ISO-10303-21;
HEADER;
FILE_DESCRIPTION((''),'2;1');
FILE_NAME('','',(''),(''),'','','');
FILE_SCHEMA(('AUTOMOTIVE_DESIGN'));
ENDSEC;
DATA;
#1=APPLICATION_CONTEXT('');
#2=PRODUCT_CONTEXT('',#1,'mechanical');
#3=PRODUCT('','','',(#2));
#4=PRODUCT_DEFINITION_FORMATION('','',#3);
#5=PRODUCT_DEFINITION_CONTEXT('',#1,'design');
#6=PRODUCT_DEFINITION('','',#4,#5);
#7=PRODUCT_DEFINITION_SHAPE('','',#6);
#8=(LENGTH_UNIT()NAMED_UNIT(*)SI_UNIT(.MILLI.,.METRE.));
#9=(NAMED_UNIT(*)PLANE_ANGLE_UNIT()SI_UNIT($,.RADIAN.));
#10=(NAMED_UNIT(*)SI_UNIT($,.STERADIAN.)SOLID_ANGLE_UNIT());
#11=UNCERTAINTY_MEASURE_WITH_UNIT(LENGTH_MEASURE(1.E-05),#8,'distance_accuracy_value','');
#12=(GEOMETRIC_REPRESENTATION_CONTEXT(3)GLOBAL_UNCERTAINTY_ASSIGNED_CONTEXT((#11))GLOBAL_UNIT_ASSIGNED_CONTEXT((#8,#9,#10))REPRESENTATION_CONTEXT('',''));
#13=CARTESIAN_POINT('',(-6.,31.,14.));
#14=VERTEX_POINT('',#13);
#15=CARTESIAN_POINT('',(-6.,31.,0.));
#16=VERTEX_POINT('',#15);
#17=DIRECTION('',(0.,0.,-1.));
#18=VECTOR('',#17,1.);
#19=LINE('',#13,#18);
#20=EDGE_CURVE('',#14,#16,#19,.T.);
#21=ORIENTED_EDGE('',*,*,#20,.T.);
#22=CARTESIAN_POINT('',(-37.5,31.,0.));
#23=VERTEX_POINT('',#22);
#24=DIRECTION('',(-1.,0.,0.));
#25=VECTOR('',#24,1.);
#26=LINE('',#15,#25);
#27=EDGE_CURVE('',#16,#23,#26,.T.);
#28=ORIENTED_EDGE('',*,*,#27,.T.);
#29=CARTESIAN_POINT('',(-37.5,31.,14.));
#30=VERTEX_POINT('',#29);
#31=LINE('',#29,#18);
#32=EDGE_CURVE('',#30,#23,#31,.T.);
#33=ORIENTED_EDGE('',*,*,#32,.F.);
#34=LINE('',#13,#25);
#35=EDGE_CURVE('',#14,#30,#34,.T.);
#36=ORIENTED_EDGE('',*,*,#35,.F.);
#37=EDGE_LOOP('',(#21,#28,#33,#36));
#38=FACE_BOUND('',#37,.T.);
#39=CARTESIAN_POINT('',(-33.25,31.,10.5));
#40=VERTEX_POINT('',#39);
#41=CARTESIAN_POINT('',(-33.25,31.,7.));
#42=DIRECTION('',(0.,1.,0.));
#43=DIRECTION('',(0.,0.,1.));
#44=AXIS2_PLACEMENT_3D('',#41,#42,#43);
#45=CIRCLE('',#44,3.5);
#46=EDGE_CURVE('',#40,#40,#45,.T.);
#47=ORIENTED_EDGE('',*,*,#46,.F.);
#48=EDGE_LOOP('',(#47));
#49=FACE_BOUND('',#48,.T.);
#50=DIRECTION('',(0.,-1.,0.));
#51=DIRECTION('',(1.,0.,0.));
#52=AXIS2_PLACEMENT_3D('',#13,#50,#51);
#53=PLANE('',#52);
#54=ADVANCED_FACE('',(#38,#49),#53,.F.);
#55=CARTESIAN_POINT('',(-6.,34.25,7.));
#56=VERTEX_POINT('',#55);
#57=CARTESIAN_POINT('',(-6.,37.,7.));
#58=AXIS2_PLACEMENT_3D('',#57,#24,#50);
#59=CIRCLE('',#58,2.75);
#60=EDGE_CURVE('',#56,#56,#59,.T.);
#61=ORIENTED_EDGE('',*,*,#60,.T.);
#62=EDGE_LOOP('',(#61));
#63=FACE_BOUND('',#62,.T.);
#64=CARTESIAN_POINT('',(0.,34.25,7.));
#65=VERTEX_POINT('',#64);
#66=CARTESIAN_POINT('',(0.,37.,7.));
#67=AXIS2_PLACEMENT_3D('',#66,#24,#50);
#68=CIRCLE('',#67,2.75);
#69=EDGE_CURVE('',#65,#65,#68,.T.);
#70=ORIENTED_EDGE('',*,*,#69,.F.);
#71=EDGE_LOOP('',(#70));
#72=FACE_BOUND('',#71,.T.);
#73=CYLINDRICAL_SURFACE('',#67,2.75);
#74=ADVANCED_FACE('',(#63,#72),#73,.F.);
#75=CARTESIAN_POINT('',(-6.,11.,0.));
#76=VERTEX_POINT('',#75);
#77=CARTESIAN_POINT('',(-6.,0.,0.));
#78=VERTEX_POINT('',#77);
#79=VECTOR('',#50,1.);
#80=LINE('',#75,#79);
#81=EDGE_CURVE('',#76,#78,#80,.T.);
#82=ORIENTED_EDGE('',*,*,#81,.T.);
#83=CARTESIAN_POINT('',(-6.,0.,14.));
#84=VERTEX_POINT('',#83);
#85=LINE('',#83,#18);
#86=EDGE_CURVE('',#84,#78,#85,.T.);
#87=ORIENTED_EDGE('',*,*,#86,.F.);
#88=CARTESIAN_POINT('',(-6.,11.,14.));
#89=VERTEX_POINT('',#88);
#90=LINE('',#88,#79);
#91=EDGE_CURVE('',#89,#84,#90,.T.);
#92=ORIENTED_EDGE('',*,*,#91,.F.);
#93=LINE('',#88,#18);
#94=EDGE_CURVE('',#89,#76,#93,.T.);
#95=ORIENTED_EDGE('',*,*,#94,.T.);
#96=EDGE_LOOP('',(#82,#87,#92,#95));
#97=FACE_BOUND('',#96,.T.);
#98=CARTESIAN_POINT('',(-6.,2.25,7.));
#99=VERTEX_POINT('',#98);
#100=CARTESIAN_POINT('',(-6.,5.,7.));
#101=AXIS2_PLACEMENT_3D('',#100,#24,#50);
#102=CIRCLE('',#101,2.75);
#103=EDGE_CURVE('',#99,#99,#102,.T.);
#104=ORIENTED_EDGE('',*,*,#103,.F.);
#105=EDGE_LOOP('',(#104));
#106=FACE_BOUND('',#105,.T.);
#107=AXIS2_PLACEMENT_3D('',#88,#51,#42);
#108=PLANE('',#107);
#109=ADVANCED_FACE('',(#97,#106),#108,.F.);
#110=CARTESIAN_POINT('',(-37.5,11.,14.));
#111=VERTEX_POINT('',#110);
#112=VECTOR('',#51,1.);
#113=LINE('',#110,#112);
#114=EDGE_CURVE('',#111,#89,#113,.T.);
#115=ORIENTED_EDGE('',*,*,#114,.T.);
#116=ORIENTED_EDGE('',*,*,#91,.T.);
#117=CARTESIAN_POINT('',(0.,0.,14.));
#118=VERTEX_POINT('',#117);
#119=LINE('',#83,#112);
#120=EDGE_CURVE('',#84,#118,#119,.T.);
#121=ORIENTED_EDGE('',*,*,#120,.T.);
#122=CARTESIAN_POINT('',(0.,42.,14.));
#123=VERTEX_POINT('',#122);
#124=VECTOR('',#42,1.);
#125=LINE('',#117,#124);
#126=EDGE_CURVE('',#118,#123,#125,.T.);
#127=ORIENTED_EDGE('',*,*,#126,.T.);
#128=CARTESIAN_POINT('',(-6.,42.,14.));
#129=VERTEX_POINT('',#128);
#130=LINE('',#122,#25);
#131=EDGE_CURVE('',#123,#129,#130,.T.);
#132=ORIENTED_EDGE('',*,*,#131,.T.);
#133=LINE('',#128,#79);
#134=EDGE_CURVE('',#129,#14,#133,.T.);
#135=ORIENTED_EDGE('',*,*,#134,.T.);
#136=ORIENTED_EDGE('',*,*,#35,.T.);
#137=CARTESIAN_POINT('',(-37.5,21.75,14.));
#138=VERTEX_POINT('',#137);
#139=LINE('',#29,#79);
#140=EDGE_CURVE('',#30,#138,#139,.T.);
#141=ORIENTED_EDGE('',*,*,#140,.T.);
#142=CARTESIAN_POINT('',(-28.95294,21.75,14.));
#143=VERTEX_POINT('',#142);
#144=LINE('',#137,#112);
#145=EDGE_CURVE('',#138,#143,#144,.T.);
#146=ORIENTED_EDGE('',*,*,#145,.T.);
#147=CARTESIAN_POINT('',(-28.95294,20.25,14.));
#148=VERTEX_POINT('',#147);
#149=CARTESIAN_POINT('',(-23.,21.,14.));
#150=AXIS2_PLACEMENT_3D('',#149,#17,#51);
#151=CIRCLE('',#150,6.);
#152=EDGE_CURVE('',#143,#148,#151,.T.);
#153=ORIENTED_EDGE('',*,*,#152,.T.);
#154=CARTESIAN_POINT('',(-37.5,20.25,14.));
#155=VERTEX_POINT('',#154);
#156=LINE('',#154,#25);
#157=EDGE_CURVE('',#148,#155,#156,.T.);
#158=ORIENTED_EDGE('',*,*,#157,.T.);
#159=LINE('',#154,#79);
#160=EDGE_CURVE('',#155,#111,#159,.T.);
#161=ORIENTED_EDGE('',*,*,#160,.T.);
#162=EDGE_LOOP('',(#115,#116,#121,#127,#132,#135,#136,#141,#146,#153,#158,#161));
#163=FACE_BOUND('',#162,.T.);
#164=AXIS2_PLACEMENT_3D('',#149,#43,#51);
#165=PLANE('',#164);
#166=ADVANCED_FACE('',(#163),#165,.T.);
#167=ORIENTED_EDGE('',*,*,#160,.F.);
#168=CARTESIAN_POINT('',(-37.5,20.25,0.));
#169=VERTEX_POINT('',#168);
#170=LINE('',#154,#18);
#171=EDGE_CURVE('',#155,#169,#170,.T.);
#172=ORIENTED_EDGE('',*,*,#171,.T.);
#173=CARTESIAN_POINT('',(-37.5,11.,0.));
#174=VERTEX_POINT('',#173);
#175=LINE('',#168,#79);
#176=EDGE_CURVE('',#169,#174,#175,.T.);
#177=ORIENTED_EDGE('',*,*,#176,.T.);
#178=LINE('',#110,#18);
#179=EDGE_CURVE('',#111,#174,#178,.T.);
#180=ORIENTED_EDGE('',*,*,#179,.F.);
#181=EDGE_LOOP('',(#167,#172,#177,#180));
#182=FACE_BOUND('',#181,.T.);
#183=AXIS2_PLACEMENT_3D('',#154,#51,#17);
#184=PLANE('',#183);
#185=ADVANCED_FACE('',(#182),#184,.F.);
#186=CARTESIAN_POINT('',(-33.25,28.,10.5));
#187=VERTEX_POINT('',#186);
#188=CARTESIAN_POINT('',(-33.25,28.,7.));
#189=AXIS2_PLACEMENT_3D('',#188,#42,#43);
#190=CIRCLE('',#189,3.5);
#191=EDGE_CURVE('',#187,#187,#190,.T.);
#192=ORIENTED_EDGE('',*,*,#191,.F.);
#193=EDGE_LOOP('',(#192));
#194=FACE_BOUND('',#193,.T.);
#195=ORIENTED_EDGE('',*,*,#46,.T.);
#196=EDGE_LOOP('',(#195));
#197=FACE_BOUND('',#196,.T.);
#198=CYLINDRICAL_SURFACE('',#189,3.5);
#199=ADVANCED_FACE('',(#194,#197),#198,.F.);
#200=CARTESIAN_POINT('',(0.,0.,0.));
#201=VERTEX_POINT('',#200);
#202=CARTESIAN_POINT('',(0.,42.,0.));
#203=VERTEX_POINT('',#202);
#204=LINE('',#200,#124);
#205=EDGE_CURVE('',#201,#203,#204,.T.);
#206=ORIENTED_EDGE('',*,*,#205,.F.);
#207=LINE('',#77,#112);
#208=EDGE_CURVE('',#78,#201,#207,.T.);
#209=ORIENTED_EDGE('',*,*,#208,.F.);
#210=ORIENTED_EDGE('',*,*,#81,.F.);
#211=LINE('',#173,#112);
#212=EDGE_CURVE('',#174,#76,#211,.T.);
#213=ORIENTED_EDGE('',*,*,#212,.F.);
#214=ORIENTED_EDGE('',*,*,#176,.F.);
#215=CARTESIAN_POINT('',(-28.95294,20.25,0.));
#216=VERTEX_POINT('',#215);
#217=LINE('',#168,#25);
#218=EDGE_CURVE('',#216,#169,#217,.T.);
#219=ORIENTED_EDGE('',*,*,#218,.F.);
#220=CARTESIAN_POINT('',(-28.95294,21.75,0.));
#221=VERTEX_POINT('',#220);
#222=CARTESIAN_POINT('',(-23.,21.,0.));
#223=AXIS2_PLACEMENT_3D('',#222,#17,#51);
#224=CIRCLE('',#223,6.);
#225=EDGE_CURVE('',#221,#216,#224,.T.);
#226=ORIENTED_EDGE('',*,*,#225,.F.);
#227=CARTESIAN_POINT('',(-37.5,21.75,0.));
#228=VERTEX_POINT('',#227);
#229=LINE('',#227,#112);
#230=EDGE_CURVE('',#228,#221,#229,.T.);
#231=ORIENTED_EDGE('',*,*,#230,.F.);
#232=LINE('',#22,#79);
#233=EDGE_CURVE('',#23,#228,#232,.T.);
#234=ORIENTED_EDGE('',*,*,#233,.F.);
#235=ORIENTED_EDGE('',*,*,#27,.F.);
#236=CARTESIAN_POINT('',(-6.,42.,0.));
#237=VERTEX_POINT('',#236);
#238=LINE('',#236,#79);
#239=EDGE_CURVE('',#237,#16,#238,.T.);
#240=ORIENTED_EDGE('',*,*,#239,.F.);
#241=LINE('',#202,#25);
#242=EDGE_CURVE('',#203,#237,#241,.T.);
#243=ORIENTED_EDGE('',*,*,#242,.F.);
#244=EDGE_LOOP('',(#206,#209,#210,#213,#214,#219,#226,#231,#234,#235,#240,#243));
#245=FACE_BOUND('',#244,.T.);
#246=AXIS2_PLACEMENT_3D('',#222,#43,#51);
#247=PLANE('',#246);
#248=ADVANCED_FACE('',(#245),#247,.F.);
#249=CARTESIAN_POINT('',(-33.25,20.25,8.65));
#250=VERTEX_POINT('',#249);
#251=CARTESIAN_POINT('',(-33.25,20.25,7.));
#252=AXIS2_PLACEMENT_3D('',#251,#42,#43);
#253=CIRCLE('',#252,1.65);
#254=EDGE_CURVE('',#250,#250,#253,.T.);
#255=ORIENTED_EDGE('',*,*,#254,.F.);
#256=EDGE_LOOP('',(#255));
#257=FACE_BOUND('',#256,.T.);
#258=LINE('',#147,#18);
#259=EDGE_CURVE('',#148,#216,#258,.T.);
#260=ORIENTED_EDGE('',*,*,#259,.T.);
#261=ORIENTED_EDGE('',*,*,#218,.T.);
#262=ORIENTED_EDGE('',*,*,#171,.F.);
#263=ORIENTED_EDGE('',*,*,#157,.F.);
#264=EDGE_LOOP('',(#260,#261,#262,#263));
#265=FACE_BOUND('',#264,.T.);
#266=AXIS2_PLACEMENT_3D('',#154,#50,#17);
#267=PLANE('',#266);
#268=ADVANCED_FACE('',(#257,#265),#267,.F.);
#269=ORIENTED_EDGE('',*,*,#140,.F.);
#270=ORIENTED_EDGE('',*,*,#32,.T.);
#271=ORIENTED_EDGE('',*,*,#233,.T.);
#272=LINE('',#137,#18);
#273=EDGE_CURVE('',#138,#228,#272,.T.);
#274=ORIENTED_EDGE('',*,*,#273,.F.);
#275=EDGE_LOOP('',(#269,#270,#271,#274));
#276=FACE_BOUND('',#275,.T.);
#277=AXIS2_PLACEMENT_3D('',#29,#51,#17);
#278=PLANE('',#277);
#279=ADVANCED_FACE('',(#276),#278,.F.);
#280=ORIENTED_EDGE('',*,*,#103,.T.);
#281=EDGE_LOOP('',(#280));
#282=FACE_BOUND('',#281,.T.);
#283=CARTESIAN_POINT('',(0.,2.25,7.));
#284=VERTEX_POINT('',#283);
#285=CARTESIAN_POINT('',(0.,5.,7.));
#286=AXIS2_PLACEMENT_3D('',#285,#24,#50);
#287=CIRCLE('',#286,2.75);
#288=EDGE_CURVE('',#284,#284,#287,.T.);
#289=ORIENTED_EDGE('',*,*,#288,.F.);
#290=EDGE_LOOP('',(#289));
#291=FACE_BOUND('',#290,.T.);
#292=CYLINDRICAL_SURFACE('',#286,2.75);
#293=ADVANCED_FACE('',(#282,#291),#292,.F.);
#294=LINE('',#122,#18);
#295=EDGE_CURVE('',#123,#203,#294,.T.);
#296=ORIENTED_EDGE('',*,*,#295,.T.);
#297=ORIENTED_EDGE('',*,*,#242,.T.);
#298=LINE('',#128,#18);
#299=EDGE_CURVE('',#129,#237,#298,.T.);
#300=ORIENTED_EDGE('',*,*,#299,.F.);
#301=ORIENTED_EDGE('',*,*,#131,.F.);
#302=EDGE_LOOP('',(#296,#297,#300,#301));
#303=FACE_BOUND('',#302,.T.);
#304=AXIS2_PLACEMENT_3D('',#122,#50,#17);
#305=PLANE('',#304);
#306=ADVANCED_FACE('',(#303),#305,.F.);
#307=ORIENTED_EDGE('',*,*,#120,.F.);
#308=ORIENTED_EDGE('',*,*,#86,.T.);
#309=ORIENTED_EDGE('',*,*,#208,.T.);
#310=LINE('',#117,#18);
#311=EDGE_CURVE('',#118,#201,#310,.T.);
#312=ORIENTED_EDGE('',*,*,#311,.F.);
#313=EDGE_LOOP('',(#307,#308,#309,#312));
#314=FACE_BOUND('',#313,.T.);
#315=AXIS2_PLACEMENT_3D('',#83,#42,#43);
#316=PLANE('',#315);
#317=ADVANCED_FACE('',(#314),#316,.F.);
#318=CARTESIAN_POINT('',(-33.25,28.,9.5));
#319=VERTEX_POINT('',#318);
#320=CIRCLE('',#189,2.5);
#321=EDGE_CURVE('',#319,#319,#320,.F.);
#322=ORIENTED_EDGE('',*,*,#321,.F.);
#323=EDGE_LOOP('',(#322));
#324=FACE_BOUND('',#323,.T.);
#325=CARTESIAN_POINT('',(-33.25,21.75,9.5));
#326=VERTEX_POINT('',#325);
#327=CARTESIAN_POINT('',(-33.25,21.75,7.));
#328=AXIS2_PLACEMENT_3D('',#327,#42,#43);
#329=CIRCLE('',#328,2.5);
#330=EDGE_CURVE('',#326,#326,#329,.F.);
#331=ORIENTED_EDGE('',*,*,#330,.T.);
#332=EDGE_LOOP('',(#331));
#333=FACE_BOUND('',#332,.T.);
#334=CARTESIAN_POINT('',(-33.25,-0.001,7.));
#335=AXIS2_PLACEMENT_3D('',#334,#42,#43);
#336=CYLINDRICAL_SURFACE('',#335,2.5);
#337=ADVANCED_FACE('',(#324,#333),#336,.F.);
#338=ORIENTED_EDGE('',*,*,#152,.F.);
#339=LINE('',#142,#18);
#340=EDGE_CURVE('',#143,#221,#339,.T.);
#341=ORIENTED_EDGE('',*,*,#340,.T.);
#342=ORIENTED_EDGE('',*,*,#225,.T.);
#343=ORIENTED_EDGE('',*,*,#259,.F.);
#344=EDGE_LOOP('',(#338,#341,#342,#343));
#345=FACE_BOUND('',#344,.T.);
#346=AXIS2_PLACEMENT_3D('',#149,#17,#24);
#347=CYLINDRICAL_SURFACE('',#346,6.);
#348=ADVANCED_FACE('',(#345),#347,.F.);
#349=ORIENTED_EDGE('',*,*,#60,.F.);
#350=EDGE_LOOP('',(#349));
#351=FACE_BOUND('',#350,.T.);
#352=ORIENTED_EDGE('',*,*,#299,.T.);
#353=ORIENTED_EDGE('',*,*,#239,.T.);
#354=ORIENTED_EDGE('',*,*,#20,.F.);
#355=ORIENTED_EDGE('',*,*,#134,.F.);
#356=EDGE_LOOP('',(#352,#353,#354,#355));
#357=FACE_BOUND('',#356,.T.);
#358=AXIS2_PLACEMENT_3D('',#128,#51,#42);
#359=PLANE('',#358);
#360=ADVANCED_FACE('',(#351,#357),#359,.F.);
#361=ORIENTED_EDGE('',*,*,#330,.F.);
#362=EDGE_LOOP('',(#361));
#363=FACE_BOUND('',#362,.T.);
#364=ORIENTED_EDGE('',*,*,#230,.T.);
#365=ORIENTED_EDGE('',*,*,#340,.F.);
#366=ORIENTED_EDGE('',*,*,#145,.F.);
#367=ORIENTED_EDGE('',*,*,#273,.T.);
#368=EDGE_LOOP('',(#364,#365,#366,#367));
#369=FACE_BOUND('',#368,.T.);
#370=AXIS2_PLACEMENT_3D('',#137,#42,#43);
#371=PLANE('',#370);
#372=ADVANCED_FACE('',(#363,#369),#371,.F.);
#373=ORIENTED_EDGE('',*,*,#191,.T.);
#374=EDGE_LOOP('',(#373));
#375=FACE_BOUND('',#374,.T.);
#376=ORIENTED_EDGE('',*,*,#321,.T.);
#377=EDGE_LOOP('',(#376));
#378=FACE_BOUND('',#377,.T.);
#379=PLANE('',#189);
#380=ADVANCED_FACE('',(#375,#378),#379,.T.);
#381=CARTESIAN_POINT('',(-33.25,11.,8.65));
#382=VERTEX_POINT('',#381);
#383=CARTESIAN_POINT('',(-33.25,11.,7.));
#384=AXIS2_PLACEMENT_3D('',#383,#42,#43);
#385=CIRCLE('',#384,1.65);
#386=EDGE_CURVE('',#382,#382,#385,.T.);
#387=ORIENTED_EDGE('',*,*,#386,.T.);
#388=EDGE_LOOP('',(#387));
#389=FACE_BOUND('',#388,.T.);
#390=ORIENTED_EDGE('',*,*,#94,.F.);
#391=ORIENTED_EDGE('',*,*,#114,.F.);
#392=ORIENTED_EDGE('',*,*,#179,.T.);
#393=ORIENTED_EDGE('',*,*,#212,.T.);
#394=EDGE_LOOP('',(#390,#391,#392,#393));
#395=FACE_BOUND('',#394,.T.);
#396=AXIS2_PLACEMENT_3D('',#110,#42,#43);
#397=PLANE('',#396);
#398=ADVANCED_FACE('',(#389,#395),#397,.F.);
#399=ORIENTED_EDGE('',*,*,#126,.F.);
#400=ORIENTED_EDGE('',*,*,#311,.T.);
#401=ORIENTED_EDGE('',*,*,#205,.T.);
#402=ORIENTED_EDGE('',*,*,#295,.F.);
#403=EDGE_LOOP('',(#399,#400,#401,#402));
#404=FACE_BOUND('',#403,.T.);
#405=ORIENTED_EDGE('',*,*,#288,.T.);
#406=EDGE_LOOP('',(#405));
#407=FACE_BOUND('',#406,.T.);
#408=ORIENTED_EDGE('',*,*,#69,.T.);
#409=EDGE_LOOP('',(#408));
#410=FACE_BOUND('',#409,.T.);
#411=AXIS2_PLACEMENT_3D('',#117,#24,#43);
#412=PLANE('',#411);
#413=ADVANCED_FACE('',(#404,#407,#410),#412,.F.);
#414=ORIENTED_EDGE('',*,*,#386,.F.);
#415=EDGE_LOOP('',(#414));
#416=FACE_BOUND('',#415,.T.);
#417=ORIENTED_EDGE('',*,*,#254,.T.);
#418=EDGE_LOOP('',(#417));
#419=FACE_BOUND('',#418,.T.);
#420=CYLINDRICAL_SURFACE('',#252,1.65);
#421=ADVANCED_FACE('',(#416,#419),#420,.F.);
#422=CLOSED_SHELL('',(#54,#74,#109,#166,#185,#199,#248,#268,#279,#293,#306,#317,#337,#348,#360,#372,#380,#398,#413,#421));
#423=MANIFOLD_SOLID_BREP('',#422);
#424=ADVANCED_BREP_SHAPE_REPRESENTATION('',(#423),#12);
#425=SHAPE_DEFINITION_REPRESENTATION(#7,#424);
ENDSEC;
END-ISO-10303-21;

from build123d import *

# Parameters (mm, degrees)
EXTRUS_O1_DEPTH               = 14
EXTRUS_O2_REACH               = 52.629
ESBO_O2_R                     = 2.5
FURO_ROSCADO_DE_M4X0_71_D     = 3.3
FURO_ROSCADO_DE_M4X0_71_DEPTH = 11.5
FURO_ROSCADO_DE_M4X0_71_TIP   = 0.991420021
ESBO_O5_R                     = 2.75
EXTRUS_O3_DEPTH               = 55.334611437
ESBO_O6_R                     = 3.5
EXTRUS_O4_DEPTH               = 3


with BuildPart() as part:
    # Esboço1 → Extrusão1 (new body)
    with BuildSketch(Plane.XY):
        with BuildLine():
            Line((0, 0), (0, 42))
            Line((0, 42), (-6, 42))
            Line((-6, 42), (-6, 31))
            Line((-6, 31), (-37.5, 31))
            Line((-37.5, 31), (-37.5, 21.75))
            Line((-37.5, 21.75), (-28.95294045, 21.75))
            ThreePointArc((-28.95294045, 21.75), (-17, 21), (-28.95294045, 20.25))
            Line((-28.95294045, 20.25), (-37.5, 20.25))
            Line((-37.5, 20.25), (-37.5, 11))
            Line((-37.5, 11), (-6, 11))
            Line((-6, 11), (-6, 0))
            Line((-6, 0), (0, 0))
        make_face()
    extrude(amount=EXTRUS_O1_DEPTH)

    # Esboço2 → Extrusão2 (cut, up to next)
    with BuildSketch(Plane(origin=(0, 31, 0), x_dir=(1, 0, 0), z_dir=(0, 1, 0)), mode=Mode.PRIVATE) as extrus_o2_sk1:
        with Locations(Location((-33.25, -7, 0), (0, 0, 270))):
            Circle(ESBO_O2_R)
    extrus_o2_tool1 = extrude(extrus_o2_sk1.sketch, amount=-EXTRUS_O2_REACH, mode=Mode.PRIVATE) & part.part
    add(extrus_o2_tool1.solids().sort_by_distance((-33.25, 31, 7))[0], mode=Mode.SUBTRACT)

    # Furo roscado de M4x0.71
    with Locations(Plane(origin=(-33.25, 20.25, 7), x_dir=(0, 0, 1), z_dir=(0, 1, 0))):
        with Locations((0, 0)):
            Hole(FURO_ROSCADO_DE_M4X0_71_D / 2, depth=FURO_ROSCADO_DE_M4X0_71_DEPTH)
            with Locations((0, 0, -(FURO_ROSCADO_DE_M4X0_71_DEPTH + FURO_ROSCADO_DE_M4X0_71_TIP / 2))):  # 118° drill point
                Cone(0, FURO_ROSCADO_DE_M4X0_71_D / 2, FURO_ROSCADO_DE_M4X0_71_TIP, mode=Mode.SUBTRACT)

    # Esboço5 → Extrusão3 (cut, through all)
    with BuildSketch(Plane.ZY.offset(6)):
        with Locations(Location((7, 37, 0), (0, 0, 270))):
            Circle(ESBO_O5_R)
        with Locations(Location((7, 5, 0), (0, 0, 270))):
            Circle(ESBO_O5_R)
    extrude(amount=-EXTRUS_O3_DEPTH, mode=Mode.SUBTRACT)

    # Esboço6 → Extrusão4 (cut)
    with BuildSketch(Plane(origin=(0, 31, 0), x_dir=(1, 0, 0), z_dir=(0, 1, 0))):
        with Locations(Location((-33.25, -7, 0), (0, 0, 270))):
            Circle(ESBO_O6_R)
    extrude(amount=-EXTRUS_O4_DEPTH, mode=Mode.SUBTRACT)


solid = part.part
